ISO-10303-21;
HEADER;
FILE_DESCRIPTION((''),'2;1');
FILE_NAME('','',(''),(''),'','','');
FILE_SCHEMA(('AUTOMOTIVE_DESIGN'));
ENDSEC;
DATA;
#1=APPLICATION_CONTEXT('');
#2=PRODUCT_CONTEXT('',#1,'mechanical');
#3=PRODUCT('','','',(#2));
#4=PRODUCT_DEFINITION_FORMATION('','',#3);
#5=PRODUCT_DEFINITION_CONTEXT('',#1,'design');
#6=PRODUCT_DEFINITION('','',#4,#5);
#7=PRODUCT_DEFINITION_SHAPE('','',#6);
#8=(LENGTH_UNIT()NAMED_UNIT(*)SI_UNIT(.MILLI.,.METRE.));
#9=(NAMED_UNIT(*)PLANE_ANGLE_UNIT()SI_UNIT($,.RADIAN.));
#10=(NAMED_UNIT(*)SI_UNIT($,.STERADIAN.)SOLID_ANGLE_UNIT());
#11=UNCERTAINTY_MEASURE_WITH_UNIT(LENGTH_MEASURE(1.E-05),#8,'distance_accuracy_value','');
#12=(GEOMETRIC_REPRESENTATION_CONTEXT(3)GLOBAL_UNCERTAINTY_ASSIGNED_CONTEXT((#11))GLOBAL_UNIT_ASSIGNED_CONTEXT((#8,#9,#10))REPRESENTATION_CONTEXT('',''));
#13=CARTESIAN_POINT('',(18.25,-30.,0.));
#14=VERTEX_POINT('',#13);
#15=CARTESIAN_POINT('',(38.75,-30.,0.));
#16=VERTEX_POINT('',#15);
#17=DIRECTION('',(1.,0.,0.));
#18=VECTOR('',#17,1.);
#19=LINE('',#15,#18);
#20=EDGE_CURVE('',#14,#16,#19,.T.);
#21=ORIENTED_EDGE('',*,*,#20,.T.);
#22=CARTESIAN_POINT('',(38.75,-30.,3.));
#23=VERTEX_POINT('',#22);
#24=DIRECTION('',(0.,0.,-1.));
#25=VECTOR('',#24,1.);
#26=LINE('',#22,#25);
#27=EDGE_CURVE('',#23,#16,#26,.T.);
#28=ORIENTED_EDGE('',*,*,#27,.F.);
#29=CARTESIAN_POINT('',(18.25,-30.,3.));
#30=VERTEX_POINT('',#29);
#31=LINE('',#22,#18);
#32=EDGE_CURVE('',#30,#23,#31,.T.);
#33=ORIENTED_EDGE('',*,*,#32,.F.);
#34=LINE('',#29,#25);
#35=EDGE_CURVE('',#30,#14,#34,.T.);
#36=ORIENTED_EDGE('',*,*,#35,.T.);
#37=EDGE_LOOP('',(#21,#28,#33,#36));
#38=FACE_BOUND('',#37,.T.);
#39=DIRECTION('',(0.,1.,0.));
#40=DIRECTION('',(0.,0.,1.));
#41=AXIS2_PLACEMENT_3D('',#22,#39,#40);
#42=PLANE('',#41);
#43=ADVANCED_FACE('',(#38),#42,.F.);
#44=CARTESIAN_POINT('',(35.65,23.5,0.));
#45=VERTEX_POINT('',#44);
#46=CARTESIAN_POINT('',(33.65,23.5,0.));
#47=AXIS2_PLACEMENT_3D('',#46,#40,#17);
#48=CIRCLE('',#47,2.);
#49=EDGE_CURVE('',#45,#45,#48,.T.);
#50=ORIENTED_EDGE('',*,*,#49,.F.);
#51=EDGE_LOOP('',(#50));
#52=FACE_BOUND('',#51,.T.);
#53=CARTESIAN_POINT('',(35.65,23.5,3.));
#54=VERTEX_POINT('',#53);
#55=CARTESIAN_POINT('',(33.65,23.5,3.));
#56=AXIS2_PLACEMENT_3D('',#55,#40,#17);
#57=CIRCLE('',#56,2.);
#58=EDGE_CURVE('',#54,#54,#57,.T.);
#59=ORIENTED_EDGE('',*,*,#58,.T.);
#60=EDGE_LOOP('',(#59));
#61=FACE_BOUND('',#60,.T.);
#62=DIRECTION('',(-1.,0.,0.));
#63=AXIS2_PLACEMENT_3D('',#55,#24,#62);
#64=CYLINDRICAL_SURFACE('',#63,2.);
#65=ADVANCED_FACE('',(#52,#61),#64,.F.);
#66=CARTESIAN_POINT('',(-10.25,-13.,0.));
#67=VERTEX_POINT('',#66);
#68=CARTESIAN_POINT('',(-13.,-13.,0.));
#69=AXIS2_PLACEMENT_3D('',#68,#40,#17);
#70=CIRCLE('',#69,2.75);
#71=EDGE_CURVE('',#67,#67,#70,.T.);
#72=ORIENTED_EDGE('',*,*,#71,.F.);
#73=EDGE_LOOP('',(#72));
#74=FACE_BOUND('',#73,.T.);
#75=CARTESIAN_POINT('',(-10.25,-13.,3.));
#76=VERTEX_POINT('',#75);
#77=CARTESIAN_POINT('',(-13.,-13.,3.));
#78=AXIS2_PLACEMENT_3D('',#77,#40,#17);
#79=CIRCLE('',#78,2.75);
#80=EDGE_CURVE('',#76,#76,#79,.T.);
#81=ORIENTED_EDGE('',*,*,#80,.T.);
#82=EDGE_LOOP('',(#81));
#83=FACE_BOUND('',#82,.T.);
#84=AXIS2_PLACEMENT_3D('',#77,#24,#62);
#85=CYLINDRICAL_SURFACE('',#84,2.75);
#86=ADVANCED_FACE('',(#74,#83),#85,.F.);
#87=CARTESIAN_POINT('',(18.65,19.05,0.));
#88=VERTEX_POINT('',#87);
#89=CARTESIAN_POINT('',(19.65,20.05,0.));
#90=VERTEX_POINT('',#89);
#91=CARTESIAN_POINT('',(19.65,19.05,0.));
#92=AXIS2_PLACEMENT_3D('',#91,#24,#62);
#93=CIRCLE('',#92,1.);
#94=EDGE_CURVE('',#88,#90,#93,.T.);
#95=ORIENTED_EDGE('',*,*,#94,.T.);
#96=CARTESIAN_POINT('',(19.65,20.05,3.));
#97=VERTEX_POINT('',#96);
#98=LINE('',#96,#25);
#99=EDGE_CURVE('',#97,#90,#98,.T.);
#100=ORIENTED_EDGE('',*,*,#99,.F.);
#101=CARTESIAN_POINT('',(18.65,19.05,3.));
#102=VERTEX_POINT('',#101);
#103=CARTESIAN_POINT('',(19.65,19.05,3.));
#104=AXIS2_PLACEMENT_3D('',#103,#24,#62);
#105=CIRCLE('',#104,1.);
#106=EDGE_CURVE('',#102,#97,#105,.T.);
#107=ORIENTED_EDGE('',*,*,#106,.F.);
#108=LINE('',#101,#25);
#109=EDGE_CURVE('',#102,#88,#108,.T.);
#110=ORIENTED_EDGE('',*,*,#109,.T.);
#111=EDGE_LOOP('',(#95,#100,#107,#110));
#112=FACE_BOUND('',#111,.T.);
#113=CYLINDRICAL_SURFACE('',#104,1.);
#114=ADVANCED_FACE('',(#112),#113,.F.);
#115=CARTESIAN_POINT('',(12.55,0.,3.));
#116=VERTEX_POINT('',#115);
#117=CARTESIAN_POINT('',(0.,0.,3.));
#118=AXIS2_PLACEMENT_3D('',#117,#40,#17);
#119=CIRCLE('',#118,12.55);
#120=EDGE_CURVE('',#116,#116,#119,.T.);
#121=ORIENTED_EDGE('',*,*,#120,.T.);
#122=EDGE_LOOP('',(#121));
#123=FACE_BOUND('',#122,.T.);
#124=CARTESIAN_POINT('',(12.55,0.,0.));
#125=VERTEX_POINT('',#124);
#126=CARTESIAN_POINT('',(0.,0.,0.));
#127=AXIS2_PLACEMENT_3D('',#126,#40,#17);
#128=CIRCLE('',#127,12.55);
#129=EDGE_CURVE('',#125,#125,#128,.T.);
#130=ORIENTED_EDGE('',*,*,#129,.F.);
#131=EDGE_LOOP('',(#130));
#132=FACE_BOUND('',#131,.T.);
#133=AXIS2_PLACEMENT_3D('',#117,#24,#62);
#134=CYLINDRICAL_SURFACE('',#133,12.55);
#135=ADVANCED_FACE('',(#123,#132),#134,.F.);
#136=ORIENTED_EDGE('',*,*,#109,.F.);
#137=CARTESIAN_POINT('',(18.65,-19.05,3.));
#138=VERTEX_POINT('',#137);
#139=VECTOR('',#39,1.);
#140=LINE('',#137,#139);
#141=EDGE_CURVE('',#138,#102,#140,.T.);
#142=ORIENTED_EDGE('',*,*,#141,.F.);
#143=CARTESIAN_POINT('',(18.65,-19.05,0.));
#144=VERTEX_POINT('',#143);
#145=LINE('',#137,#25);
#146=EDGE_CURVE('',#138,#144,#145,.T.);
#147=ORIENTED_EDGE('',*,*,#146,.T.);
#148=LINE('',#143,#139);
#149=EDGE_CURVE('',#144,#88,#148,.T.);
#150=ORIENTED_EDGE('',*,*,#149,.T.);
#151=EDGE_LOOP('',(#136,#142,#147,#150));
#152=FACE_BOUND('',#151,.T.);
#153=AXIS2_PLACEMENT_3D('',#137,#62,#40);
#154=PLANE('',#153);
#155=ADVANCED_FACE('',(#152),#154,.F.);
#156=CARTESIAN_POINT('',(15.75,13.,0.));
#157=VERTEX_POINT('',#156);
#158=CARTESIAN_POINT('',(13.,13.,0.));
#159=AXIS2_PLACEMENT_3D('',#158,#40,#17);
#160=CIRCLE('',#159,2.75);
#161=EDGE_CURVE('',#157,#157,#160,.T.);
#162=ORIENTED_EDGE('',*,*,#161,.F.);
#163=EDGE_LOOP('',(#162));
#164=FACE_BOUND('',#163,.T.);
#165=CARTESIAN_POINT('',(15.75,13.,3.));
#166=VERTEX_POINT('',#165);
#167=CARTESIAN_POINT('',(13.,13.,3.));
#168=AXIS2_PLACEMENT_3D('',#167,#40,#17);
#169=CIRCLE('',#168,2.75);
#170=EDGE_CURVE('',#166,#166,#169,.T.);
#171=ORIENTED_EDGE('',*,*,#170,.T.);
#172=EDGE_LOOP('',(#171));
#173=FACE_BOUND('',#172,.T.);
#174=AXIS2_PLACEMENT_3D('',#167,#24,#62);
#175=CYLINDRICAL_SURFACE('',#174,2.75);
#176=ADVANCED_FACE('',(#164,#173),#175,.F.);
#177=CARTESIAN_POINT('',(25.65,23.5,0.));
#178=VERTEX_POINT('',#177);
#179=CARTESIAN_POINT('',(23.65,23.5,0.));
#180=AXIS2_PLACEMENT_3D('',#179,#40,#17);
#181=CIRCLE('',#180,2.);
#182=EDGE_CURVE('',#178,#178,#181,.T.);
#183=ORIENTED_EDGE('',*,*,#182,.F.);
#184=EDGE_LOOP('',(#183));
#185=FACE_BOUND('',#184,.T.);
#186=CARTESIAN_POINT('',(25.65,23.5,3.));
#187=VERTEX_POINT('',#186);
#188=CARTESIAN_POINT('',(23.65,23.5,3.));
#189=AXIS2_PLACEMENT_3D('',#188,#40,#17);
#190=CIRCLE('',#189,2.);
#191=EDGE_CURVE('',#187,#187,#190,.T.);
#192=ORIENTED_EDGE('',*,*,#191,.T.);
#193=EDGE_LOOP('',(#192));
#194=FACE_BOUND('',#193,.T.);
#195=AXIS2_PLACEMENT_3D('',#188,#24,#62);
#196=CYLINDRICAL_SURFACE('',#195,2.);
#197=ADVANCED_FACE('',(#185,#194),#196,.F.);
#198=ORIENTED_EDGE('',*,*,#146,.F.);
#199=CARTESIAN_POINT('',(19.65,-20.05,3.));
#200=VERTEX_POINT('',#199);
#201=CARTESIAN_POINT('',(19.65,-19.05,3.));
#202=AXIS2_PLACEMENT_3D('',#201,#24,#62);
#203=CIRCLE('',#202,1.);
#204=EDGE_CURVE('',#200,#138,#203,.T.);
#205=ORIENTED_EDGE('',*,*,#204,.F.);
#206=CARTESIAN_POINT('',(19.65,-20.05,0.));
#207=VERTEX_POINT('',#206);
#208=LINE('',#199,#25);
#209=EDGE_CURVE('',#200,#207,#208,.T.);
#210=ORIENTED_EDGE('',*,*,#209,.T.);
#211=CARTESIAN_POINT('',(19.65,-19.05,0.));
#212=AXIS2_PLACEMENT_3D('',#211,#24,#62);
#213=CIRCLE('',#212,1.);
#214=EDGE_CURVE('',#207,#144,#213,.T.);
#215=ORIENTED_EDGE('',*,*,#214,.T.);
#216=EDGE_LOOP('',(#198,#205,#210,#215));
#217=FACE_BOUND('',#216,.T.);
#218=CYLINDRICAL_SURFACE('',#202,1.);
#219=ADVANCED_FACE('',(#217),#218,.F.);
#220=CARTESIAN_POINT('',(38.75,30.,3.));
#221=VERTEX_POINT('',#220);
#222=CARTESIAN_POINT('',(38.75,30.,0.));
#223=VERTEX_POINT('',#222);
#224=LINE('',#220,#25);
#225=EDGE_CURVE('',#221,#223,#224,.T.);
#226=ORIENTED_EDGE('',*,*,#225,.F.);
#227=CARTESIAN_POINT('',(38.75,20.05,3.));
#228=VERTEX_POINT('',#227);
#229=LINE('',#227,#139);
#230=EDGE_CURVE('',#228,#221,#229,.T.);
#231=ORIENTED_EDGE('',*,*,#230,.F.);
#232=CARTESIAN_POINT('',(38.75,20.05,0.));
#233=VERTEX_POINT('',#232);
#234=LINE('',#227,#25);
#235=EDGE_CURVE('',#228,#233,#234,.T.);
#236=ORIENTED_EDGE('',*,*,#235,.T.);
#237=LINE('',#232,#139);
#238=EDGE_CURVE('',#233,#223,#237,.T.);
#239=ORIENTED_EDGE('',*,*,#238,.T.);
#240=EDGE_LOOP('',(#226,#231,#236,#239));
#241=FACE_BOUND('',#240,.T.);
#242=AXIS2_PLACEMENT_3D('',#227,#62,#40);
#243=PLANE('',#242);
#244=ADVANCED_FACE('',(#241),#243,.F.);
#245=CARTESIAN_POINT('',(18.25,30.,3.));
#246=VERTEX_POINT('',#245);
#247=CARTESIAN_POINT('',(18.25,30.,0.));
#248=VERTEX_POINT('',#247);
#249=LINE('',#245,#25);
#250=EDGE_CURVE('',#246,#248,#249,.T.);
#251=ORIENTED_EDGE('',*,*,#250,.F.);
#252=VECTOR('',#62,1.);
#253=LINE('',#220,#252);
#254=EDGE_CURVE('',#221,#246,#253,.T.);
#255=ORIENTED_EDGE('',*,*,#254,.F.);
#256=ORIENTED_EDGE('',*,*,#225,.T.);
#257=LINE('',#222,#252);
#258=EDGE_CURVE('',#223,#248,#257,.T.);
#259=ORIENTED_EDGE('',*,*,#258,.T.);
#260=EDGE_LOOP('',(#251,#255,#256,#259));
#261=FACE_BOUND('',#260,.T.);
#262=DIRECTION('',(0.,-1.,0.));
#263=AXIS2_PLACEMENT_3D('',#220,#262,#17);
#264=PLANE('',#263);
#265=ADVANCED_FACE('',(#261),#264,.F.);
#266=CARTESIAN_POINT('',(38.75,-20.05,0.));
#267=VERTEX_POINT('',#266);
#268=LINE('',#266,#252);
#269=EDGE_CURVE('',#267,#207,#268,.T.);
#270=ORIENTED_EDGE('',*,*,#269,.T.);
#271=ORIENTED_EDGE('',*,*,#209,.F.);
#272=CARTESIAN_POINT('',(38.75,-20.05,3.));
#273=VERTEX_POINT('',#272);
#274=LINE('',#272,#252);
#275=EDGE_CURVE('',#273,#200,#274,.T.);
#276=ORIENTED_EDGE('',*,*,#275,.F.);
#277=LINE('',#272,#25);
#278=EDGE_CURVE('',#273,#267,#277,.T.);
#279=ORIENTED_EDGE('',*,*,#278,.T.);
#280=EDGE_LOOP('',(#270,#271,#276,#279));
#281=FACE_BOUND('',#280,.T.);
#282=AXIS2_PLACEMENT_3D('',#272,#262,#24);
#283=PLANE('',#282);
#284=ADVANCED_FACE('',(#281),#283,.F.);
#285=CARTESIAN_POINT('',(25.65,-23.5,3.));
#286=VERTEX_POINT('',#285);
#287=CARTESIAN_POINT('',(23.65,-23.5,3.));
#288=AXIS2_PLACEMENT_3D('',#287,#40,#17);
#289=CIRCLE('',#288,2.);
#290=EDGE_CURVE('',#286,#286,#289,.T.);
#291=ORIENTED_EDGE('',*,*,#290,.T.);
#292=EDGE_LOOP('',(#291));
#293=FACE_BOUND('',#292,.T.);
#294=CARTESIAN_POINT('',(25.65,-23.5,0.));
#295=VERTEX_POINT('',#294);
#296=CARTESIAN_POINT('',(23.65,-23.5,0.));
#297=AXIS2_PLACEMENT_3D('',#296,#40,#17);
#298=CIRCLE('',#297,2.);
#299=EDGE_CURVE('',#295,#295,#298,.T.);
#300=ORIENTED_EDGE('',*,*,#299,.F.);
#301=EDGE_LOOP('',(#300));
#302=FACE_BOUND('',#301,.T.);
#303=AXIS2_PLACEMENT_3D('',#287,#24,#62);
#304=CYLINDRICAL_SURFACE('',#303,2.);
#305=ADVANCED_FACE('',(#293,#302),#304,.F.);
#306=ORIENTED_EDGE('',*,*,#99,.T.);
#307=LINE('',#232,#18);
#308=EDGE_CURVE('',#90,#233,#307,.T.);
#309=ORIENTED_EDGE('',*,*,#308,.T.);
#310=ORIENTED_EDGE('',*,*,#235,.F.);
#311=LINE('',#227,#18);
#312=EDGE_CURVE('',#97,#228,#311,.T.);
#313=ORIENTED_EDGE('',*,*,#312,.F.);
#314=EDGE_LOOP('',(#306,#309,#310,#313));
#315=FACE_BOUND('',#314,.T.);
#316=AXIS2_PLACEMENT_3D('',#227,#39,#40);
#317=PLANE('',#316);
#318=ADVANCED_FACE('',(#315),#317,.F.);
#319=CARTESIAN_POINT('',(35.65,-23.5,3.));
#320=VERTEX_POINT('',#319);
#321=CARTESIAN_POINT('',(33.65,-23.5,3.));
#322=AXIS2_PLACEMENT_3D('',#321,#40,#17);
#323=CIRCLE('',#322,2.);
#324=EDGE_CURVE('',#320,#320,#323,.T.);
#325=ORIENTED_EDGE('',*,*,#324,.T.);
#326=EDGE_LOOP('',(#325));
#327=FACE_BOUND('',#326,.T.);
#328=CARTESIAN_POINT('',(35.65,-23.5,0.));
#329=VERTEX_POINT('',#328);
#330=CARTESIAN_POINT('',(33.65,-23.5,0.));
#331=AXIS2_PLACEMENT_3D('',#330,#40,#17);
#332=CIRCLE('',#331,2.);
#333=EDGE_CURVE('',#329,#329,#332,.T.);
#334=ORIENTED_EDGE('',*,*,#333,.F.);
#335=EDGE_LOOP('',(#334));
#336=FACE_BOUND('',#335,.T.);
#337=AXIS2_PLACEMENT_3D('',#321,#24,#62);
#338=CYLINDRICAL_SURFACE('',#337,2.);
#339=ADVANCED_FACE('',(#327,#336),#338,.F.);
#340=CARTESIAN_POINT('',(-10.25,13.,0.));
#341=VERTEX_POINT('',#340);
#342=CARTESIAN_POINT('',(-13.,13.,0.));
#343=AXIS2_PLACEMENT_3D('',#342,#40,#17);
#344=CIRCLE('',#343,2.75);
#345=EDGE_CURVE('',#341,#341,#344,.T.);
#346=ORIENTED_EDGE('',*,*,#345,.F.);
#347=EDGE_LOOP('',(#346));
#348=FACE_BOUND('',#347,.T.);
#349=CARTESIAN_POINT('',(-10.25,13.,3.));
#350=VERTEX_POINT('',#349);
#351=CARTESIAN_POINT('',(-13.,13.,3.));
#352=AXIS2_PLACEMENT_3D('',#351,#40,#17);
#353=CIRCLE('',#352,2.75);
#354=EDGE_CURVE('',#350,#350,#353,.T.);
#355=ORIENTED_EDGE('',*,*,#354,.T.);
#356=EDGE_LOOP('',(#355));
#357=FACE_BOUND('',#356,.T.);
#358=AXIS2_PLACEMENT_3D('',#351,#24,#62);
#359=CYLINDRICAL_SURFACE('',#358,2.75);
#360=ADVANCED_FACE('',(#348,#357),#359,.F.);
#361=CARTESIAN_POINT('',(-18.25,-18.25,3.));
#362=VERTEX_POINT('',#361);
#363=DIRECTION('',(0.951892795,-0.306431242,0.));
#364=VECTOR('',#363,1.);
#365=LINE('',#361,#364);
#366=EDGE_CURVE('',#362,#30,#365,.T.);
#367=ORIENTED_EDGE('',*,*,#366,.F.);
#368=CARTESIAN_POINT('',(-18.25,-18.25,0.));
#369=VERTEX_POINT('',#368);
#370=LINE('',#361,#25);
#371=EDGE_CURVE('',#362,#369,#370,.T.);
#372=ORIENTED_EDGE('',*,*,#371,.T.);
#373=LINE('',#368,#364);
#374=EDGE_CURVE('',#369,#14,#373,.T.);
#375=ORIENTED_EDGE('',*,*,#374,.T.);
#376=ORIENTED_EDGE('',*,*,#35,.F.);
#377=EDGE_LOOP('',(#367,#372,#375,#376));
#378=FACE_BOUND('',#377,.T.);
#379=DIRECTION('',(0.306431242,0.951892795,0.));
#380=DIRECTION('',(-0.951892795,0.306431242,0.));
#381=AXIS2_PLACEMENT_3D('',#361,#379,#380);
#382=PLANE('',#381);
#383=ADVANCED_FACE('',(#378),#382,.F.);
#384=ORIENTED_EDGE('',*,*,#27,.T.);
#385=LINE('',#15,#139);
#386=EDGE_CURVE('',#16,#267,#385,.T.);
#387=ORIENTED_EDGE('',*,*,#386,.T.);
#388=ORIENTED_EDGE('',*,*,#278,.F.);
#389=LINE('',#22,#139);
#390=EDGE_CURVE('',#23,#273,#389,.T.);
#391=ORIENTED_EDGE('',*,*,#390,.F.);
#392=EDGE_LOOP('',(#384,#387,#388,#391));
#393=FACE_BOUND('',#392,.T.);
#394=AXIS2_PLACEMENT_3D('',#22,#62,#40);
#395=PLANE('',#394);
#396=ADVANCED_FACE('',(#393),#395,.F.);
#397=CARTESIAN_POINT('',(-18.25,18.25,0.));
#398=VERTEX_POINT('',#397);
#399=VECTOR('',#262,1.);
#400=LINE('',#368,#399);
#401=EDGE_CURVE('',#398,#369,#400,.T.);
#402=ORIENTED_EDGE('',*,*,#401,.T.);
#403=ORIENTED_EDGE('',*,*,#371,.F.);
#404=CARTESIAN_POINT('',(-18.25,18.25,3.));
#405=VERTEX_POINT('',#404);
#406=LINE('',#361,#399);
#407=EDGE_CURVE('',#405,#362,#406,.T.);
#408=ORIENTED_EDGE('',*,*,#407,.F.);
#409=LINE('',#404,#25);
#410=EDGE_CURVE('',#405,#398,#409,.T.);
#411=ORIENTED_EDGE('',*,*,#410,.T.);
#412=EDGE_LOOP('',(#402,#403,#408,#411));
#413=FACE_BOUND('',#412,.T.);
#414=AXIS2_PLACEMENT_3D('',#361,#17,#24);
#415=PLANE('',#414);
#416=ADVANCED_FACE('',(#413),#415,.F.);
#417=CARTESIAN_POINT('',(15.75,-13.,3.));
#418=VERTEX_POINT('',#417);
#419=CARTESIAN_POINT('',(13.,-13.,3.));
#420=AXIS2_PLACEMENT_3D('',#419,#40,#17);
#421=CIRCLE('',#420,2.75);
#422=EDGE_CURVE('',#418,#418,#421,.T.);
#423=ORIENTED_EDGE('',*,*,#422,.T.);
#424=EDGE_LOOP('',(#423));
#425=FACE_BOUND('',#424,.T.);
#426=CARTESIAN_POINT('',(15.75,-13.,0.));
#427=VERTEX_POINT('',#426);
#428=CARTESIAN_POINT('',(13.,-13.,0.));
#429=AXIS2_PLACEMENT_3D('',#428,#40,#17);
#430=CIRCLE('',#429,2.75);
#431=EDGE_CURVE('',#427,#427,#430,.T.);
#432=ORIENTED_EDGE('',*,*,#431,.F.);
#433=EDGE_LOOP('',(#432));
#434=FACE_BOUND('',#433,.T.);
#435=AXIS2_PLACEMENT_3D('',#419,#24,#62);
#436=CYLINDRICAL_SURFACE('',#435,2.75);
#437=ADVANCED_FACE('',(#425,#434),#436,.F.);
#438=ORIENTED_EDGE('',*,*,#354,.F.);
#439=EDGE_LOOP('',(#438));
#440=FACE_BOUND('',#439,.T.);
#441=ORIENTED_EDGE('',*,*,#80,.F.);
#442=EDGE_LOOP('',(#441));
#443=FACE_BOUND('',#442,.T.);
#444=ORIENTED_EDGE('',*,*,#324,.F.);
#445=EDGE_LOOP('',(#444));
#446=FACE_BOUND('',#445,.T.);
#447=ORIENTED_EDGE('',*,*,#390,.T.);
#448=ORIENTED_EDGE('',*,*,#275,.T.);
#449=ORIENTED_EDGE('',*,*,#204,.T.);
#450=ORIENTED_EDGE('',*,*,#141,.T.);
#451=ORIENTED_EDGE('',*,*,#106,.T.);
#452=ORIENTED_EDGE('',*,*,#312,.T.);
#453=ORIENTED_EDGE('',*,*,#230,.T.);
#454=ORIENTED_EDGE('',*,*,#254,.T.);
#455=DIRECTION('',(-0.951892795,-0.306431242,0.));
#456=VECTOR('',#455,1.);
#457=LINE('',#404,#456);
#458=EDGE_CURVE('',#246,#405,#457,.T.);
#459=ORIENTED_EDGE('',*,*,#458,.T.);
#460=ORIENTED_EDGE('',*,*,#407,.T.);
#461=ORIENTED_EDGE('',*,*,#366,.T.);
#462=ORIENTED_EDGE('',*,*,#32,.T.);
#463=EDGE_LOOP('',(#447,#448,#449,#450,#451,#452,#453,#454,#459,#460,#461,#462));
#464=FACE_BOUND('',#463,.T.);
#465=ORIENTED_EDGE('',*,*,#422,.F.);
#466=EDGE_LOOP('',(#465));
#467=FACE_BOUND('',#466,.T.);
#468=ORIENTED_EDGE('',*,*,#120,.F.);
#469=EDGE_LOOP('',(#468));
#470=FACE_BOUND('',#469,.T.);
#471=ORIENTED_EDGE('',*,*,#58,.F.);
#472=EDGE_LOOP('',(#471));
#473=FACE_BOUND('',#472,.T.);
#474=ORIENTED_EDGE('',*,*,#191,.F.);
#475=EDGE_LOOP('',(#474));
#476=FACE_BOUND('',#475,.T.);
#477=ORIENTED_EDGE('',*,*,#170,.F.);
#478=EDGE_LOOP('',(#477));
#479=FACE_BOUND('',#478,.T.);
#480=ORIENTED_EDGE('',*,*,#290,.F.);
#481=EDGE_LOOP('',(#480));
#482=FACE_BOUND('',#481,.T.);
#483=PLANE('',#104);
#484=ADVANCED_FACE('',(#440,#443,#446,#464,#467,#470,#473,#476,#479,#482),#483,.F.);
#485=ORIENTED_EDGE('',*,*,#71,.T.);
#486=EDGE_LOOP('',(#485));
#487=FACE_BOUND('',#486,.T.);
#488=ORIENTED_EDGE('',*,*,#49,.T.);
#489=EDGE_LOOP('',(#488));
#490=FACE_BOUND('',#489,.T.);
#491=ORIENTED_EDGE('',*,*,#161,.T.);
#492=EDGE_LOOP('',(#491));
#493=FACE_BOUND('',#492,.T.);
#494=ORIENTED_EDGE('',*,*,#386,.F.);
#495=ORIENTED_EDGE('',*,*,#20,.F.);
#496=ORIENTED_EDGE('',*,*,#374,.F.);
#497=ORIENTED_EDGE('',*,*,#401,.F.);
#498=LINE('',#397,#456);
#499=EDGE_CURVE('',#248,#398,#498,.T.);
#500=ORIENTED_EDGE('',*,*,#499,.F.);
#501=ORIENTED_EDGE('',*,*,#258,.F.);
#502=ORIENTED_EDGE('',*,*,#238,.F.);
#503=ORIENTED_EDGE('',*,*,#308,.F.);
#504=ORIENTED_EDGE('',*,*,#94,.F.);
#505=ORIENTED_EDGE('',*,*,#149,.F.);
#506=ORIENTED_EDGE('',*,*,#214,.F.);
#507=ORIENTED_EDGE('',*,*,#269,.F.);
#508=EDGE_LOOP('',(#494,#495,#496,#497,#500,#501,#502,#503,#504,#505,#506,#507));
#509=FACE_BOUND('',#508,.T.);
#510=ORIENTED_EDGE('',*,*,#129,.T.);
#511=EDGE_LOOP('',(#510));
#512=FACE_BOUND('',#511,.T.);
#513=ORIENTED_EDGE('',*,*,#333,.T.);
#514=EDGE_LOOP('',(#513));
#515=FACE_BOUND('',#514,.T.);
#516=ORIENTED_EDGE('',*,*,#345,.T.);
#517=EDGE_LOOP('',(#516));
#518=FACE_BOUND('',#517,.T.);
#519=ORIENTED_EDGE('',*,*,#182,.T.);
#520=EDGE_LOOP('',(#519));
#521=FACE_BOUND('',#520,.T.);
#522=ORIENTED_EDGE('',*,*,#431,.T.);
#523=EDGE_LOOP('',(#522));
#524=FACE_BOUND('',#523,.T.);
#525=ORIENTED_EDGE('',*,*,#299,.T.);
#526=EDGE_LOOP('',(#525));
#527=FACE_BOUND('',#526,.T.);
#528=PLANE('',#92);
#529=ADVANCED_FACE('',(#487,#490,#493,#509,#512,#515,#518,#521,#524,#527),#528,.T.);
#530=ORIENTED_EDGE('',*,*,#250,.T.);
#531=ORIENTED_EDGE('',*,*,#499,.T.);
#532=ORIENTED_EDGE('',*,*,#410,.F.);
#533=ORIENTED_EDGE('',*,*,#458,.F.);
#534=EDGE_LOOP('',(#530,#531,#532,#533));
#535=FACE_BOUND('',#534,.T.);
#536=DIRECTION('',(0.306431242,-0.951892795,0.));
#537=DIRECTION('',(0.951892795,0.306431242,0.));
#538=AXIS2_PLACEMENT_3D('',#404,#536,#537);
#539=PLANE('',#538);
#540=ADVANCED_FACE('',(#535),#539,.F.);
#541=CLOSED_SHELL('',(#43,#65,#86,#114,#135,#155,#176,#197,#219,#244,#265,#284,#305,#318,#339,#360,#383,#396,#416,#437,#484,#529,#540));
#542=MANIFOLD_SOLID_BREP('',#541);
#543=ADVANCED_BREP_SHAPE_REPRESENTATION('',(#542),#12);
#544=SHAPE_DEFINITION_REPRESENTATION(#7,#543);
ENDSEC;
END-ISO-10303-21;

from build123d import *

# Parameters (mm, degrees)
SKETCH1_R           = 2.75
SKETCH1_R_2         = 12.55
SKETCH1_R_3         = 2
BOSS_EXTRUDE1_DEPTH = 3


with BuildPart() as part:
    # Sketch1 → Boss-Extrude1 (new body)
    with BuildSketch(Plane(origin=(0, 0, 0), x_dir=(0, 1, 0), z_dir=(0, 0, 1))):
        with BuildLine():
            Line((-18.25, 18.25), (18.25, 18.25))
            Line((18.25, 18.25), (30, -18.25))
            Line((30, -18.25), (30, -38.75))
            Line((30, -38.75), (20.05, -38.75))
            Line((20.05, -38.75), (20.05, -19.65))
            ThreePointArc((20.05, -19.65), (19.757106781, -18.942893219), (19.05, -18.65))
            Line((19.05, -18.65), (-19.05, -18.65))
            ThreePointArc((-19.05, -18.65), (-19.757106781, -18.942893219), (-20.05, -19.65))
            Line((-20.05, -19.65), (-20.05, -38.75))
            Line((-20.05, -38.75), (-30, -38.75))
            Line((-30, -38.75), (-30, -18.25))
            Line((-30, -18.25), (-18.25, 18.25))
        make_face()
        with Locations(Location((-13, 13, 0), (0, 0, 270))):
            Circle(SKETCH1_R, mode=Mode.SUBTRACT)
        with Locations(Location((0, 0, 0), (0, 0, 270))):
            Circle(SKETCH1_R_2, mode=Mode.SUBTRACT)
        with Locations(Location((13, 13, 0), (0, 0, 270))):
            Circle(SKETCH1_R, mode=Mode.SUBTRACT)
        with Locations(Location((13, -13, 0), (0, 0, 270))):
            Circle(SKETCH1_R, mode=Mode.SUBTRACT)
        with Locations(Location((-13, -13, 0), (0, 0, 270))):
            Circle(SKETCH1_R, mode=Mode.SUBTRACT)
        with Locations(Location((-23.5, -23.65, 0), (0, 0, 270))):
            Circle(SKETCH1_R_3, mode=Mode.SUBTRACT)
        with Locations(Location((23.5, -23.65, 0), (0, 0, 270))):
            Circle(SKETCH1_R_3, mode=Mode.SUBTRACT)
        with Locations(Location((23.5, -33.65, 0), (0, 0, 270))):
            Circle(SKETCH1_R_3, mode=Mode.SUBTRACT)
        with Locations(Location((-23.5, -33.65, 0), (0, 0, 270))):
            Circle(SKETCH1_R_3, mode=Mode.SUBTRACT)
    extrude(amount=BOSS_EXTRUDE1_DEPTH)


solid = part.part
